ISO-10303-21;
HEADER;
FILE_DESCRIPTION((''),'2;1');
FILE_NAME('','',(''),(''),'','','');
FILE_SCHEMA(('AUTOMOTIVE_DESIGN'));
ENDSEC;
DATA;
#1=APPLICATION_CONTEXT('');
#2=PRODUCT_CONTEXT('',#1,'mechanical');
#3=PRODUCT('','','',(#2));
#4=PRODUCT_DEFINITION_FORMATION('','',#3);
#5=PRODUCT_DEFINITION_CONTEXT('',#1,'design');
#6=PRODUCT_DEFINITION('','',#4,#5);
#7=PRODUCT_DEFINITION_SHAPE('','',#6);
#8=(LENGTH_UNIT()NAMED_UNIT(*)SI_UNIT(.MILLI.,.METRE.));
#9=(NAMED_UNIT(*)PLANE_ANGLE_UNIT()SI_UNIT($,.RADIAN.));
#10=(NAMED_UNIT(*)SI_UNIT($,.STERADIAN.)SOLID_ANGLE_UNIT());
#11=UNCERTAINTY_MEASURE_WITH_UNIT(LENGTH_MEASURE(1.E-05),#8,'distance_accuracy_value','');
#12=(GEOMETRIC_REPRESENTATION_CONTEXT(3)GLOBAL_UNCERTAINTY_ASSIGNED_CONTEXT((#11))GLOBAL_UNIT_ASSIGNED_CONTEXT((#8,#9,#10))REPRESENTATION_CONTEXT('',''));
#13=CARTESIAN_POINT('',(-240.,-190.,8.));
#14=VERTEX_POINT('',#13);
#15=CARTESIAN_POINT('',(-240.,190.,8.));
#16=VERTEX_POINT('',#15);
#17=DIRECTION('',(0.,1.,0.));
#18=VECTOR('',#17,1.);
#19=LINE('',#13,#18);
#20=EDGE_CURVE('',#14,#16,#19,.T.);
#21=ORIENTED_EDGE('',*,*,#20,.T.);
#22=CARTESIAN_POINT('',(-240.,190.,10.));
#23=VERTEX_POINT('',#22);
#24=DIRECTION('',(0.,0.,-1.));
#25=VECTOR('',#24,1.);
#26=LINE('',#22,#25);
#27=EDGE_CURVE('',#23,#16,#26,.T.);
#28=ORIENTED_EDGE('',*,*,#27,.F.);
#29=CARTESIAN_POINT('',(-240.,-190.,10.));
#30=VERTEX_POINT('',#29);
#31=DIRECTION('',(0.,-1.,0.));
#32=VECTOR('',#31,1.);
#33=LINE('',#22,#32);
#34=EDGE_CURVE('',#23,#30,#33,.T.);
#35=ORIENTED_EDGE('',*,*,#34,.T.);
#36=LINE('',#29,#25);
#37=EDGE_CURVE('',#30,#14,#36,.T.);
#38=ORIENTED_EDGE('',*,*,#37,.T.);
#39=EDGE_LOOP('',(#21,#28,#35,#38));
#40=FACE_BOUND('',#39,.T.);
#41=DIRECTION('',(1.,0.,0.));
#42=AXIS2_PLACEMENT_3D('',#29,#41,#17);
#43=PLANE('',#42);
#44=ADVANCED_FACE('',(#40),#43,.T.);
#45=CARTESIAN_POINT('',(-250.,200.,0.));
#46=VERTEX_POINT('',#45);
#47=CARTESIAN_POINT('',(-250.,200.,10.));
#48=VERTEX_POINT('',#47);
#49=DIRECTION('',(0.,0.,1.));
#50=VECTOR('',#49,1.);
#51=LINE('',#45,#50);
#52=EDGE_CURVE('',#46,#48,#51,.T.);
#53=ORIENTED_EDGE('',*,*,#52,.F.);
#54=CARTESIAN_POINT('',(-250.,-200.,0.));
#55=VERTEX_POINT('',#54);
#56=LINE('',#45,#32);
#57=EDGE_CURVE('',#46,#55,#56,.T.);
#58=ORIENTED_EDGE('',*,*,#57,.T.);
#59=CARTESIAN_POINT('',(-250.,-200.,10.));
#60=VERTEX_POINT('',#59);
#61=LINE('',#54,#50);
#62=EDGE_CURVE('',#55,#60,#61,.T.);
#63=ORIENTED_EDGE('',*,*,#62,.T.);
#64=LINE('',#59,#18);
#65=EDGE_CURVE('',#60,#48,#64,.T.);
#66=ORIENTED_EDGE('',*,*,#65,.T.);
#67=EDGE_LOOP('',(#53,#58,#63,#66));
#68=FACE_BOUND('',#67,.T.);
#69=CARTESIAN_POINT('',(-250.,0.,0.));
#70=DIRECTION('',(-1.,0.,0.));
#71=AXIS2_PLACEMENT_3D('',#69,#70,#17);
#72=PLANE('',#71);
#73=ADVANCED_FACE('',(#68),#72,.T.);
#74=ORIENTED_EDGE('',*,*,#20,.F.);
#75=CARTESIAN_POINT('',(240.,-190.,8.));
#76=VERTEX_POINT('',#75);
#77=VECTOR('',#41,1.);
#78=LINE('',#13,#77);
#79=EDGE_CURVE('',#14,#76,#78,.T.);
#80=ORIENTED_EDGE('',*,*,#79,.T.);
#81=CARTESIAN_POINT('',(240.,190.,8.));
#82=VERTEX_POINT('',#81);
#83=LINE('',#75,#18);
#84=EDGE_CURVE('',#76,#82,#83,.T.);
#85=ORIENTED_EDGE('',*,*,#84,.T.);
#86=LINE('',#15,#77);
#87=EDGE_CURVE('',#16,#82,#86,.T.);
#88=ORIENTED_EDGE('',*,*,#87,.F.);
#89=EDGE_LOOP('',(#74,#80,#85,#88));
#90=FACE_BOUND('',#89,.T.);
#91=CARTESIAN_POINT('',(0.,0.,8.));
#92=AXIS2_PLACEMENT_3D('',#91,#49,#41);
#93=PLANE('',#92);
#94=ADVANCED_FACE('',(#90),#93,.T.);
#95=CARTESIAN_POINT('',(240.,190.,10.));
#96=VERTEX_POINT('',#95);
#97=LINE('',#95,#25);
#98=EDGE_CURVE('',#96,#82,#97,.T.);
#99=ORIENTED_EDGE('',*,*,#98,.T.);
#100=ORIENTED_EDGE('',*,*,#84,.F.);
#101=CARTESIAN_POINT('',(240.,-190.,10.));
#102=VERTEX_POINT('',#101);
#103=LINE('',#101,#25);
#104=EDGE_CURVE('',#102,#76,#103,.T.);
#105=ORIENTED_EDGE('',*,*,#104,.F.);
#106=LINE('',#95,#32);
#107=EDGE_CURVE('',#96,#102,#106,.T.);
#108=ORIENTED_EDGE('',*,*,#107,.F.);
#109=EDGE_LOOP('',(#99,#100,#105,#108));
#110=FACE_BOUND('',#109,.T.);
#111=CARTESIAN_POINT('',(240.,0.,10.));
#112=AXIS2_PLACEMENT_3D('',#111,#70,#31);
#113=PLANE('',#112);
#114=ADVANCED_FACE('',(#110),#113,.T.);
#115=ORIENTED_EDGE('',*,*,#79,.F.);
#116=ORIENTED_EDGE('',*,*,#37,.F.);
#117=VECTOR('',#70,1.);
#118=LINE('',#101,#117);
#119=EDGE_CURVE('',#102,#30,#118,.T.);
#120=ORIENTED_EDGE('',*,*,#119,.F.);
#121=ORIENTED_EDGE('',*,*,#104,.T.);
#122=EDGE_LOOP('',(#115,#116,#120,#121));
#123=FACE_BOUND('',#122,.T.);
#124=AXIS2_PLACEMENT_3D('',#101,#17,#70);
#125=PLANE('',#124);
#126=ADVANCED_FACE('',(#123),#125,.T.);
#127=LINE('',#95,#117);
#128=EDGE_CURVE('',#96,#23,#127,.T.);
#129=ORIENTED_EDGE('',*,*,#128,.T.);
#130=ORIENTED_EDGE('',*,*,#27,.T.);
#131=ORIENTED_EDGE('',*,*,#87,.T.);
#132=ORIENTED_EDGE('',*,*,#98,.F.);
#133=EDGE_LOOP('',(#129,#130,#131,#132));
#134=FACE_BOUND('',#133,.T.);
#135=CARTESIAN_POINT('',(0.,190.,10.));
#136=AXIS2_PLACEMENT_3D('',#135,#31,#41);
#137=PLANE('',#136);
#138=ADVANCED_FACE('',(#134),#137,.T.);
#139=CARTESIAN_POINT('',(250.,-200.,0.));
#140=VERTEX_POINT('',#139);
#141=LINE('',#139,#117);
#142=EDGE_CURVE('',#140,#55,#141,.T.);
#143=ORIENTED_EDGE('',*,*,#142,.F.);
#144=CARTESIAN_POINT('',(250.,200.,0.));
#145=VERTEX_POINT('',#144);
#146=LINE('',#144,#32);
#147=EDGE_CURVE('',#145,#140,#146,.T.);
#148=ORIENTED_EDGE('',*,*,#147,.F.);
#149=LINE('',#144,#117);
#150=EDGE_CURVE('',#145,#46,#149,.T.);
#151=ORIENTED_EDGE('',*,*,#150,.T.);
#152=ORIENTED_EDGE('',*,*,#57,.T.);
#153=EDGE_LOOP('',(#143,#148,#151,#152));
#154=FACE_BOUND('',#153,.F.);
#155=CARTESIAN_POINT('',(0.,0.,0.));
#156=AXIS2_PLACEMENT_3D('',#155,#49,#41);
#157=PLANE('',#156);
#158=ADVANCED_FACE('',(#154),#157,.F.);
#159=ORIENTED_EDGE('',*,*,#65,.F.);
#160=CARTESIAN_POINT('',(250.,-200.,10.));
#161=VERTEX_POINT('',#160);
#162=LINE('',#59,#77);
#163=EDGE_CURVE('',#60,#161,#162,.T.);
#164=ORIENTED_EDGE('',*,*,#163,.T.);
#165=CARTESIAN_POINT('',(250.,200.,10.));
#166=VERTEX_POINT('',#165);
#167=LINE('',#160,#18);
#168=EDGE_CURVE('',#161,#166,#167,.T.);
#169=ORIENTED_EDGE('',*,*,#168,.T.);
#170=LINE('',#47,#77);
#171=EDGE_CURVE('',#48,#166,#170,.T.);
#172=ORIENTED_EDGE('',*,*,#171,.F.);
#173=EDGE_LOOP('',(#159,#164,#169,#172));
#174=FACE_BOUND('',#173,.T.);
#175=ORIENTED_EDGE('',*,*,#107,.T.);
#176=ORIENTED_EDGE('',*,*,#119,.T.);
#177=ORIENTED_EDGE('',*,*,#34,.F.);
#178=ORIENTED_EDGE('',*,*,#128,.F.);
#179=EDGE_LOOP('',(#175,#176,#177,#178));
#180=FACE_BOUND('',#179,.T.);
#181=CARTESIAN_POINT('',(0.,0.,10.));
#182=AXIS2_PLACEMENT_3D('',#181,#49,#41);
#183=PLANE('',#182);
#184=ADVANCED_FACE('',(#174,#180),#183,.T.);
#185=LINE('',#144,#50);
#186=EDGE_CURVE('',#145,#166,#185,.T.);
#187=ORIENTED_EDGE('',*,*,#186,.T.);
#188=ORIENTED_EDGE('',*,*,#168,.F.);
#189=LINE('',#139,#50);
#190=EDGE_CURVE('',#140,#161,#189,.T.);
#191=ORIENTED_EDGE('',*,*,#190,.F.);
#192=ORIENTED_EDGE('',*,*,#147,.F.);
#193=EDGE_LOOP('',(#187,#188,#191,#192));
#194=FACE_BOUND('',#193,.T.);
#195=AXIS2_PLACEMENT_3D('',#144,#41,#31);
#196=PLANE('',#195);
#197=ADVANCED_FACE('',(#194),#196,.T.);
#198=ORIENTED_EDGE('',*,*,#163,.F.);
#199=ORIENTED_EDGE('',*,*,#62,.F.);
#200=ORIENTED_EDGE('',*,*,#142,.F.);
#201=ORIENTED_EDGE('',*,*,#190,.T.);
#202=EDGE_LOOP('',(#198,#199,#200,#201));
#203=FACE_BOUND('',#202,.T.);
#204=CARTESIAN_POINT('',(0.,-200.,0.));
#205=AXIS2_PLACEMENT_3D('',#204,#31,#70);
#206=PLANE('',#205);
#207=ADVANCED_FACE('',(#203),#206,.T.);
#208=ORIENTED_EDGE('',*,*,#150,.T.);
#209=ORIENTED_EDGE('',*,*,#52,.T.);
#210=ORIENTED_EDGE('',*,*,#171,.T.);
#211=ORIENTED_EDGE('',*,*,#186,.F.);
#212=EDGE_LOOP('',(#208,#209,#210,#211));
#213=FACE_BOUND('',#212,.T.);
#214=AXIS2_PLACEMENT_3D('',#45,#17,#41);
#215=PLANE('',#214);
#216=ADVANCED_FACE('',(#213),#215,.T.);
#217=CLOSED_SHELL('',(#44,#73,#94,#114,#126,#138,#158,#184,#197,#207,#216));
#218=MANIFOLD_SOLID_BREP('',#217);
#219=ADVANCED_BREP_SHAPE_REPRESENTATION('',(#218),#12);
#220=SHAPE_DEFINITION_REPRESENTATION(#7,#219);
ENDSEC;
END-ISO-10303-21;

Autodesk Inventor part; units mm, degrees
ref_plane "YZ Plane" through (0, 0, 0) normal (1, 0, 0) x (0, 1, 0)
ref_plane "XZ Plane" through (0, 0, 0) normal (0, 1, 0) x (-1, 0, 0)
ref_plane "XY Plane" through (0, 0, 0) normal (0, 0, 1) x (1, 0, 0)
sketch "Sketch1" plane through (0, 0, 0) normal (0, 0, 1) x (1, 0, 0)
  line L0 (-250, 200) -> (250, 200)
  line L1 (250, 200) -> (250, -200)
  line L2 (250, -200) -> (-250, -200)
  line L3 (-250, -200) -> (-250, 200)
  line L4 (0, 280) -> (0, -280) projected
  line L5 (-350, 0) -> (350, 0) projected
  point P0 (0, 0)
  dimension "d0" = 500
  dimension "d1" = 400
extrude "Extrusion1" add sketch "Sketch1" along normal blind 10
sketch "Sketch2" plane through (0, 0, 10) normal (0, 0, 1) x (1, 0, 0)
  line L0 (250, 200) -> (250, -200) projected
  line L1 (-250, 200) -> (250, 200) projected
  line L2 (0, 280) -> (0, -280) projected
  line L3 (-350, 0) -> (350, 0) projected
  line L4 (-240, 190) -> (240, 190)
  line L5 (240, 190) -> (240, -190)
  line L6 (240, -190) -> (-240, -190)
  line L7 (-240, -190) -> (-240, 190)
  point P0 (0, 0)
  point P1 (-240, 0)
  point P2 (0, 190)
  dimension "d4" = 10
  dimension "d5" = 10
extrude "Extrusion2" cut sketch "Sketch2" against normal blind 2 contours L5 L6 L2 L3 | L3 L2 L4 L5 | L2 L3 L7 L4 | L2 L6 L7 L3
properties part number "screen"
